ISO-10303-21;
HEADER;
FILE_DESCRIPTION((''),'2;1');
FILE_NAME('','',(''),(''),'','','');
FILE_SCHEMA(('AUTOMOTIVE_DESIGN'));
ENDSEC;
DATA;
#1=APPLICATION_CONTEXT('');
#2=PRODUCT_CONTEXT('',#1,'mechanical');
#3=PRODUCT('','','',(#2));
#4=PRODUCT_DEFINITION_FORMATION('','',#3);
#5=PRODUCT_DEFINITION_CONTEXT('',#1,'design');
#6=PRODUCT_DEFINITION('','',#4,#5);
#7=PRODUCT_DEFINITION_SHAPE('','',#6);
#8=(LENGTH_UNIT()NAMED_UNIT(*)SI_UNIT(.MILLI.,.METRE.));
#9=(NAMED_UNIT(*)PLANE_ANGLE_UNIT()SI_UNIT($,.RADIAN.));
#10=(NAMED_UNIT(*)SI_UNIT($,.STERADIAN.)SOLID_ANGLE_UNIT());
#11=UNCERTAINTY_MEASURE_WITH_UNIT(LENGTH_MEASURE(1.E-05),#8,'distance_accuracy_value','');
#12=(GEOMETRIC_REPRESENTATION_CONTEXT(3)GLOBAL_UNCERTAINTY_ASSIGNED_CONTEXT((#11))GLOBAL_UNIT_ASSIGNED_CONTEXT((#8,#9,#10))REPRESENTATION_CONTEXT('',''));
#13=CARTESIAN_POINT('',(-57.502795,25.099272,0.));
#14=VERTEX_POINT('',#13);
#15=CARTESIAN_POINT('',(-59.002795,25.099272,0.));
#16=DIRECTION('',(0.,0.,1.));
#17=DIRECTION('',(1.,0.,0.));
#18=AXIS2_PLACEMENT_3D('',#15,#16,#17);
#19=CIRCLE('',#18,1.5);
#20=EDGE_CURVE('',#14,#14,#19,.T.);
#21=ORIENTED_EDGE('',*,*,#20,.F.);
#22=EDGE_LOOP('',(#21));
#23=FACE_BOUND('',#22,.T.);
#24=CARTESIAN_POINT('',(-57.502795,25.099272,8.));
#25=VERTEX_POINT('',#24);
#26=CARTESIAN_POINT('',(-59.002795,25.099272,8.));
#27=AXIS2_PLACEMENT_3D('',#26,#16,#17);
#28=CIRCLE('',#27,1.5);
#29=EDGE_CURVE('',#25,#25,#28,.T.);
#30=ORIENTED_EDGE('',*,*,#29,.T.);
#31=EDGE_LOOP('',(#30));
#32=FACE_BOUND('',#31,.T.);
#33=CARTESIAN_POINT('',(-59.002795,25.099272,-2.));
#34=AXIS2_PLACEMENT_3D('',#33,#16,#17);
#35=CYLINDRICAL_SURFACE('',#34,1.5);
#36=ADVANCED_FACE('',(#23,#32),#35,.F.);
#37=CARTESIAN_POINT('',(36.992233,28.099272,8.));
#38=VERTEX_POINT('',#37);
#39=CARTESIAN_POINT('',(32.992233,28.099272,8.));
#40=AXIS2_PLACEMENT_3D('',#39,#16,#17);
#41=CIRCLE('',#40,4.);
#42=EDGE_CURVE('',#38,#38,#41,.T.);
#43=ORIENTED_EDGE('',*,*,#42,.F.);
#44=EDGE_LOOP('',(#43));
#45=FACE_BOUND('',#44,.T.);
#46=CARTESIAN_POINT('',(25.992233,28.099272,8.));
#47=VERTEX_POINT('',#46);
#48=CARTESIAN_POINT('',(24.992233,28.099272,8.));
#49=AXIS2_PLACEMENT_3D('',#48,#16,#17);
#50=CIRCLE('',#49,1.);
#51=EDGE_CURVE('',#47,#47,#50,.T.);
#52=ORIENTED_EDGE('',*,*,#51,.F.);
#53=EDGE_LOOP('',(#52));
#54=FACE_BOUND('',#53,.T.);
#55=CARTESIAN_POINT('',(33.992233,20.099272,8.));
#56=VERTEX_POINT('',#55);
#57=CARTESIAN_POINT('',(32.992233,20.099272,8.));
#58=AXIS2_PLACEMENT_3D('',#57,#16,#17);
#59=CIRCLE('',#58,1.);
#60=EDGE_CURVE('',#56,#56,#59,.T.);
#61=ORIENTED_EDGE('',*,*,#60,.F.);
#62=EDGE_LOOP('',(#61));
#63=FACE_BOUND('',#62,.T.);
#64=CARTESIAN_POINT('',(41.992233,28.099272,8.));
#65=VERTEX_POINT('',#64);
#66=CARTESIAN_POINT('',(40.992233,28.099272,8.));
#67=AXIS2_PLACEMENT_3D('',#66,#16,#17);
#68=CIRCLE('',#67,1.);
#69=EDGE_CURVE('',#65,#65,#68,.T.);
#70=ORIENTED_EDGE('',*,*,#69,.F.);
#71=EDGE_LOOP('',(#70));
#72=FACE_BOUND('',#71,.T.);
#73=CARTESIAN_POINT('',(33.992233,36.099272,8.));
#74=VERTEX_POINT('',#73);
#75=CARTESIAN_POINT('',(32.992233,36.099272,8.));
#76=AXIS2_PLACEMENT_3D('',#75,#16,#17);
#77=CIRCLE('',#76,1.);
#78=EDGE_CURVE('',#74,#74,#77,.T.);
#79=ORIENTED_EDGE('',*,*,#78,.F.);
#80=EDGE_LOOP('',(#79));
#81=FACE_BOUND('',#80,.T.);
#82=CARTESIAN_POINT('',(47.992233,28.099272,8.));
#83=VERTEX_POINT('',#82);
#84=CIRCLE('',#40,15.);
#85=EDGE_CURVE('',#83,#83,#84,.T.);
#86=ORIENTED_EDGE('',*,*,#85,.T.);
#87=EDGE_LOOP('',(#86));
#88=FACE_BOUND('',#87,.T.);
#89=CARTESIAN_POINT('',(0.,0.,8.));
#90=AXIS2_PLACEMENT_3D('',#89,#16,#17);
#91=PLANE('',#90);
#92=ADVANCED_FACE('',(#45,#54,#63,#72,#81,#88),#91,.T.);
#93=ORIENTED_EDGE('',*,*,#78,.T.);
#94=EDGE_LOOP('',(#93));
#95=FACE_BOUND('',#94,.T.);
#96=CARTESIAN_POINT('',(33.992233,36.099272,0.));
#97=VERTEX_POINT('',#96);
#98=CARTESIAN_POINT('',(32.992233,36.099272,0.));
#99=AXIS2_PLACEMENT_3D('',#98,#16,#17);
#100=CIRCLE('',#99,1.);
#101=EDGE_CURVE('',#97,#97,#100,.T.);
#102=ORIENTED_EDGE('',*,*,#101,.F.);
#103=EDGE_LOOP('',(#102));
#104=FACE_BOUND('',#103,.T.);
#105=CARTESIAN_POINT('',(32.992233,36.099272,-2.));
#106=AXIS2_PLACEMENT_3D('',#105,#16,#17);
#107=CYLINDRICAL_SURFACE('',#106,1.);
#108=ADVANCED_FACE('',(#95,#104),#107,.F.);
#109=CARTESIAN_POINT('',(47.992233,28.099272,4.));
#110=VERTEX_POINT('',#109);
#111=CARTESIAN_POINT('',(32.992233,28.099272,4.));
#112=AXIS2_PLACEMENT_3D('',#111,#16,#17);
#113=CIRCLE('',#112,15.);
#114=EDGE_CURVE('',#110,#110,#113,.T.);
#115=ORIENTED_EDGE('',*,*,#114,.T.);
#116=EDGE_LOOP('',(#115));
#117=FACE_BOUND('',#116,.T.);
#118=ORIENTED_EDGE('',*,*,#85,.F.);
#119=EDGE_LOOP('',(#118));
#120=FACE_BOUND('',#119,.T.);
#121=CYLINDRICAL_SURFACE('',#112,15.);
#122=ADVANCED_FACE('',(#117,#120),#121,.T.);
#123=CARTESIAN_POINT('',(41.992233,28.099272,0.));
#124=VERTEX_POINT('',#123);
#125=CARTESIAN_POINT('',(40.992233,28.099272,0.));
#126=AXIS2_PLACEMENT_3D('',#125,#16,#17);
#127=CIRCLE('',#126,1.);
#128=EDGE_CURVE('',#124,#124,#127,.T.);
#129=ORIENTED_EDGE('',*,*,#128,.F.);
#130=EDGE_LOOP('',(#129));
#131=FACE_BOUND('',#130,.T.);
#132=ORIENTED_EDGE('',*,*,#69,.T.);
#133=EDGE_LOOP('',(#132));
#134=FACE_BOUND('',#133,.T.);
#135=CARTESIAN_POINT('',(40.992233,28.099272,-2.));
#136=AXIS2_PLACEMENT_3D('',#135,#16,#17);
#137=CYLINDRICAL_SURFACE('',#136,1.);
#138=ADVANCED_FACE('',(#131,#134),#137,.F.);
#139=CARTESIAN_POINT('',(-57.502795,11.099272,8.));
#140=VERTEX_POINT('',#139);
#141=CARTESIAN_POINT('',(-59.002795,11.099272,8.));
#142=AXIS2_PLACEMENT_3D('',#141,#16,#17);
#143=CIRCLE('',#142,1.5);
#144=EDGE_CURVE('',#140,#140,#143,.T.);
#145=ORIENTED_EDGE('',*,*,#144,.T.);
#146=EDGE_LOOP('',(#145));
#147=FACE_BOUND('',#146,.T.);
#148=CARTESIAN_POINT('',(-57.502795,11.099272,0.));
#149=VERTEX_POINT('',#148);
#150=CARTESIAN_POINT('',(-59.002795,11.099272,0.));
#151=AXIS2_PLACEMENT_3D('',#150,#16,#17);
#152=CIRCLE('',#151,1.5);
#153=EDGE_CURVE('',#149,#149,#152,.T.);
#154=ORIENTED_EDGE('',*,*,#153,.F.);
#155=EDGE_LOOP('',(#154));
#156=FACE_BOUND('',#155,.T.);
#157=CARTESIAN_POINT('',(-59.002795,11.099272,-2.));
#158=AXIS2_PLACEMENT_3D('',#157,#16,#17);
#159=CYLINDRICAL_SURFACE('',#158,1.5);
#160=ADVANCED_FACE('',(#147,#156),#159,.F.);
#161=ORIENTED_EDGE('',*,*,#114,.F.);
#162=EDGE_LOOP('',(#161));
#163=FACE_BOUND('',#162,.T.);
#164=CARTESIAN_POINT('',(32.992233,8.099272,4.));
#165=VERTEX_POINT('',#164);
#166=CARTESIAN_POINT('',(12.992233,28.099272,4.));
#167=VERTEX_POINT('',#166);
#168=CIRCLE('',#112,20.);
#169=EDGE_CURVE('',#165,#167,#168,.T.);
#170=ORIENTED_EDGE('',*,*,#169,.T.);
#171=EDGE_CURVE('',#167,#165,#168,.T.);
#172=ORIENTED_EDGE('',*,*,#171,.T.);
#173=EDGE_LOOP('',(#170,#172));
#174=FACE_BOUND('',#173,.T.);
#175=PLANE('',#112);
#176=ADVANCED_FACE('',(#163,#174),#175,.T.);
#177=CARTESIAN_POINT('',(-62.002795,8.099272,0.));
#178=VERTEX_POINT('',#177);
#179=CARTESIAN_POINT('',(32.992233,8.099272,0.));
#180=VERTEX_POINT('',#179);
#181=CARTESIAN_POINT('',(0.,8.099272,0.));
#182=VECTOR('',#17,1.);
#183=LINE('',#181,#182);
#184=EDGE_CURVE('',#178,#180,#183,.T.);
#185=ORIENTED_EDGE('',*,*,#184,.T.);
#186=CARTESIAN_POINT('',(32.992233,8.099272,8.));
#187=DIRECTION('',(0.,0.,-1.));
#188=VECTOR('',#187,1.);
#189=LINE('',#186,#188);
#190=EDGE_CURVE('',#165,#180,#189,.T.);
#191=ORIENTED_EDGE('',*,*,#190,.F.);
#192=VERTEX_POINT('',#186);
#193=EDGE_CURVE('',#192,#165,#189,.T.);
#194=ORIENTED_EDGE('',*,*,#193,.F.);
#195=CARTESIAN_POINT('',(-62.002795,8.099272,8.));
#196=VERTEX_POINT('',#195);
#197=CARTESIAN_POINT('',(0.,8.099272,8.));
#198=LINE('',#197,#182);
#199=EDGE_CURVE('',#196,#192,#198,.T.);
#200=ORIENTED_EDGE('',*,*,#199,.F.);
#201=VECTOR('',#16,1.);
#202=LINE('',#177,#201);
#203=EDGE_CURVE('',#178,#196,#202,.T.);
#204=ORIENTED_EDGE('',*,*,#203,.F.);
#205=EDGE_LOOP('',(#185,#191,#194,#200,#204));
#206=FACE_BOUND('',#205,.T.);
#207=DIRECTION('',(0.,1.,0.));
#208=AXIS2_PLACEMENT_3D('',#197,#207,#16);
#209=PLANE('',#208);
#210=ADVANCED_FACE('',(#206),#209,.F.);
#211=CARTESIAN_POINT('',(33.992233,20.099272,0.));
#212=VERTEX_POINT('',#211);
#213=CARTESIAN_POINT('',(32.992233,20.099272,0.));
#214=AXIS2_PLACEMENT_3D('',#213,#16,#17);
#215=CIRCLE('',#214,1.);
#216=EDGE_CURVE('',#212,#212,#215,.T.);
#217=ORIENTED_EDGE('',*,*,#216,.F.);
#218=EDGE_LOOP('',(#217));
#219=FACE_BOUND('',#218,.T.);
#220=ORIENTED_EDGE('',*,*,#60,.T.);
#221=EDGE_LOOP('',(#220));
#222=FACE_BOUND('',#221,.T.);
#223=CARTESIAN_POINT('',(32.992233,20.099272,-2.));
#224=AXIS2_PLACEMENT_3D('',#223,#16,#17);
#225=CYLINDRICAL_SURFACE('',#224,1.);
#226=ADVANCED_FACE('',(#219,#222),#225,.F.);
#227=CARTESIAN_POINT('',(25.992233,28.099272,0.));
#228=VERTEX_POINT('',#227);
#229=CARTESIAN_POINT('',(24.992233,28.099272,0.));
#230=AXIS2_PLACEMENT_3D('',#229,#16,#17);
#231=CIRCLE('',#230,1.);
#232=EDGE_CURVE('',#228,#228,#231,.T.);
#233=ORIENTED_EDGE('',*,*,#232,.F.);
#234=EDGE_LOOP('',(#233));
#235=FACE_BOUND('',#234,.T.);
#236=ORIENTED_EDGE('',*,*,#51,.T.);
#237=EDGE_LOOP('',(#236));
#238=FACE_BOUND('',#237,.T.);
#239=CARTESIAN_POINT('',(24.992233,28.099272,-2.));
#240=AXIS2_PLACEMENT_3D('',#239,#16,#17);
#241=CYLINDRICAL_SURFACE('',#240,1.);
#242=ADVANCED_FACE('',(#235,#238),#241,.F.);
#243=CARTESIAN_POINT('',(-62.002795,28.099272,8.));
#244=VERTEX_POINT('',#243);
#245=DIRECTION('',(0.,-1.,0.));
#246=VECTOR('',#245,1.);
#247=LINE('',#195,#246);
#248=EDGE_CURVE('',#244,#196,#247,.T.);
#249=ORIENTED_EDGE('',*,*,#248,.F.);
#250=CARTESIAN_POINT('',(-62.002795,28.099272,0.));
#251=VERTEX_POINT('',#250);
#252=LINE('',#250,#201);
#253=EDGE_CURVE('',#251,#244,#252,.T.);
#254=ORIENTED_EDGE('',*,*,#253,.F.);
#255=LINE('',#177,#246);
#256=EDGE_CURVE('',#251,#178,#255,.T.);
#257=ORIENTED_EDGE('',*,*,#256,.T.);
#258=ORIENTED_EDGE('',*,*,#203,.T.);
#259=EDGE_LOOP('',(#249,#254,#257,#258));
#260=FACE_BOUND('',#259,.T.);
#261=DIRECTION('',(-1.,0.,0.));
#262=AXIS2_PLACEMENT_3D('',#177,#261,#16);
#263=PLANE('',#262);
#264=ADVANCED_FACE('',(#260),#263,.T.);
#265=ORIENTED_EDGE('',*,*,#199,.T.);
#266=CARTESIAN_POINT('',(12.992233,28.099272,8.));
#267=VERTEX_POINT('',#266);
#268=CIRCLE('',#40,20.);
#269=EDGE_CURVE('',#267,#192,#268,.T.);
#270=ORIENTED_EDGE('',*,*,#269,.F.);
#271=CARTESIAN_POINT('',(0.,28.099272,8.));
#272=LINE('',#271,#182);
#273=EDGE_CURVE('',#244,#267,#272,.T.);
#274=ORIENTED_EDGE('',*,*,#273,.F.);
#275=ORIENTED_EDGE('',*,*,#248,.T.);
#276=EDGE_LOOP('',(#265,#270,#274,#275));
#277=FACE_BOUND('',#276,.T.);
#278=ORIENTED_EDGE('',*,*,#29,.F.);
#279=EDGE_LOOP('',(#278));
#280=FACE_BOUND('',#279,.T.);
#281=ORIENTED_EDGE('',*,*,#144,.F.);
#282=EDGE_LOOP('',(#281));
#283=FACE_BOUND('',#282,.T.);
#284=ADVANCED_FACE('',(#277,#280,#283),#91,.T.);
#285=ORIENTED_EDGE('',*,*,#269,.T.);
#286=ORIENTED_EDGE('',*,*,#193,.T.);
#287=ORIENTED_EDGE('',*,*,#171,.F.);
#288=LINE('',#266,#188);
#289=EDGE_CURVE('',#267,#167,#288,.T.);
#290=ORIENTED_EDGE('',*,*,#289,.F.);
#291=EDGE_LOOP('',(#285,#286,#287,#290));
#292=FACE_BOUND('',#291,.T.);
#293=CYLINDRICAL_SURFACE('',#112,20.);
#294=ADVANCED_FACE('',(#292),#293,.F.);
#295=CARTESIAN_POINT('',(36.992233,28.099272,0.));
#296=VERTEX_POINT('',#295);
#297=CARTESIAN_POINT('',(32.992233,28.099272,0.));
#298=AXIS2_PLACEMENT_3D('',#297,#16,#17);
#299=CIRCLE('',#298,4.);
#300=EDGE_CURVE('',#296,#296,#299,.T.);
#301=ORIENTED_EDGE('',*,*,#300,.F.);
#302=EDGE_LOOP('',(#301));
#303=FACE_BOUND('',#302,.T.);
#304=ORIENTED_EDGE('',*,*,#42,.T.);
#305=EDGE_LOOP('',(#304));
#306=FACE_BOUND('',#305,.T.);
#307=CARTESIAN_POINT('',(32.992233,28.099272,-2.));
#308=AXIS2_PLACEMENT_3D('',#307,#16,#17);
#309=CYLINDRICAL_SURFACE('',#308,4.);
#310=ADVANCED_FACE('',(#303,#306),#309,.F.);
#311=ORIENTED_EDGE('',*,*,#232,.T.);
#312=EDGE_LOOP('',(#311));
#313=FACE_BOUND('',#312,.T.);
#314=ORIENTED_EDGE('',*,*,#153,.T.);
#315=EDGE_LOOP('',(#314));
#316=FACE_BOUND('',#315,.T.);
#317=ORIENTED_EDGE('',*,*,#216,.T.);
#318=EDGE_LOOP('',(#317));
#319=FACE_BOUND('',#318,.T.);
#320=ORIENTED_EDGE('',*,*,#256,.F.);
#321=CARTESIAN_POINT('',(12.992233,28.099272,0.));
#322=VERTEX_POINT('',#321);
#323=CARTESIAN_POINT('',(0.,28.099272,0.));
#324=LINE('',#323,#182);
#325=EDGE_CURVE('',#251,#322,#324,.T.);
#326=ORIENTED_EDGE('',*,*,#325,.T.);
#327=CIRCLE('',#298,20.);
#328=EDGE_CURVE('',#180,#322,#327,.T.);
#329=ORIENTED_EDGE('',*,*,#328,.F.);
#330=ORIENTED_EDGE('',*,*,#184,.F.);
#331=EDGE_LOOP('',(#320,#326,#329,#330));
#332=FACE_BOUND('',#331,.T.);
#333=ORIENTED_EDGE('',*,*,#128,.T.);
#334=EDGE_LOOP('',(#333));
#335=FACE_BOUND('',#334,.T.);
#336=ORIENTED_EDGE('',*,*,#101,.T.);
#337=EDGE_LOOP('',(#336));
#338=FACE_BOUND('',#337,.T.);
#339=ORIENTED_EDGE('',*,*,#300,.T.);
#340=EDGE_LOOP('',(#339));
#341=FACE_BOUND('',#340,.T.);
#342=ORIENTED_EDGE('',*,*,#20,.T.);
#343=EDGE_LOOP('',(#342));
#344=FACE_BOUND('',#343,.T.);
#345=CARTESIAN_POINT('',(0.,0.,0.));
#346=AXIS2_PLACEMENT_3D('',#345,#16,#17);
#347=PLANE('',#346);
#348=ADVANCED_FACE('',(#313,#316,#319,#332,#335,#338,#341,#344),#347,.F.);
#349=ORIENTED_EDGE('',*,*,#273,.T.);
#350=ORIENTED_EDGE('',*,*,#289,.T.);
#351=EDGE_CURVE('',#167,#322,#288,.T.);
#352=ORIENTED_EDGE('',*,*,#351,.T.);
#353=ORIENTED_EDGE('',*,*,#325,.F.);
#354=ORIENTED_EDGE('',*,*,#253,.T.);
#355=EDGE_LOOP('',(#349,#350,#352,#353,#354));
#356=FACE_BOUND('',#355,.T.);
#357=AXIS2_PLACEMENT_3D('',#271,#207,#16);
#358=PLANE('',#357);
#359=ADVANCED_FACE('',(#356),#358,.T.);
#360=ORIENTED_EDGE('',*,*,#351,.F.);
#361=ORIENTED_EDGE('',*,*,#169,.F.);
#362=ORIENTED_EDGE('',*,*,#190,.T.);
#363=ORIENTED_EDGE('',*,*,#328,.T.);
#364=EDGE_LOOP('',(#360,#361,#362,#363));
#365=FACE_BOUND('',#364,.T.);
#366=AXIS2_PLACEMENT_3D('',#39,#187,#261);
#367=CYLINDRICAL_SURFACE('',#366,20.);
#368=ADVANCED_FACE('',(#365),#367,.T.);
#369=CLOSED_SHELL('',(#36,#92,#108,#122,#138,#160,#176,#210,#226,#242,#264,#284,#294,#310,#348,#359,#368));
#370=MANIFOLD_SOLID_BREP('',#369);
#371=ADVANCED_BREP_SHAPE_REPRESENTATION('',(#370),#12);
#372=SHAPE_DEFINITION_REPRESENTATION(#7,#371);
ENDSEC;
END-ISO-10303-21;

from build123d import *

# Parameters (mm, degrees)
BOSS_EXTRU_1_DEPTH      = 8
ESQUISSE4_R             = 20
ESQUISSE4_R_2           = 15
ENL_V_MAT_EXTRU_2_DEPTH = 4
ESQUISSE5_W             = 16.42
ESQUISSE5_H             = 20
BOSS_EXTRU_2_DEPTH      = 8
ESQUISSE6_R             = 4
ESQUISSE6_R_2           = 1
ENL_V_MAT_EXTRU_3_DEPTH = 10
ESQUISSE7_R             = 1.5
ENL_V_MAT_EXTRU_4_DEPTH = 10


with BuildPart() as part:
    # Esquisse1 → Boss.-Extru.1 (new body)
    with BuildSketch(Plane.XY):
        with BuildLine():
            ThreePointArc((52.992232765, 28.099272116), (32.992232765, 48.099272116), (12.992232765, 28.099272116))
            Line((12.992232765, 28.099272116), (32.992232765, 28.099272116))
            Line((32.992232765, 28.099272116), (32.992232765, 8.099272116))
            ThreePointArc((32.992232765, 8.099272116), (47.134368389, 13.957136493), (52.992232765, 28.099272116))
        make_face()
        with BuildLine():
            Line((32.992232765, 28.099272116), (12.992232765, 28.099272116))
            ThreePointArc((12.992232765, 28.099272116), (18.850097141, 13.957136493), (32.992232765, 8.099272116))
            Line((32.992232765, 8.099272116), (32.992232765, 28.099272116))
        make_face()
        with BuildLine():
            Line((12.992232765, 28.099272116), (-45.58279523, 28.099272116))
            Line((-45.58279523, 28.099272116), (-45.58279523, 8.099272116))
            Line((-45.58279523, 8.099272116), (32.992232765, 8.099272116))
            ThreePointArc((32.992232765, 8.099272116), (18.850097141, 13.957136493), (12.992232765, 28.099272116))
        make_face()
    extrude(amount=BOSS_EXTRU_1_DEPTH)

    # Esquisse4 → Enlèv. mat.-Extru.2 (cut)
    with BuildSketch(Plane.XY.offset(8)):
        with Locations((32.992232765, 28.099272116)):
            Circle(ESQUISSE4_R)
        with Locations((32.992232765, 28.099272116)):
            Circle(ESQUISSE4_R_2, mode=Mode.SUBTRACT)
    extrude(amount=-ENL_V_MAT_EXTRU_2_DEPTH, mode=Mode.SUBTRACT)

    # Esquisse5 → Boss.-Extru.2 (add)
    with BuildSketch(Plane.XY.offset(8)):
        with Locations((-53.79279523, 18.099272116)):
            Rectangle(ESQUISSE5_W, ESQUISSE5_H)
    extrude(amount=-BOSS_EXTRU_2_DEPTH)

    # Esquisse6 → Enlèv. mat.-Extru.3 (cut)
    with BuildSketch(Plane.XY.offset(8)):
        with Locations((32.992232765, 28.099272116)):
            Circle(ESQUISSE6_R)
        with Locations((32.992232765, 36.099272116)):
            Circle(ESQUISSE6_R_2)
        with Locations((40.992232765, 28.099272116)):
            Circle(ESQUISSE6_R_2)
        with Locations((32.992232765, 20.099272116)):
            Circle(ESQUISSE6_R_2)
        with Locations((24.992232765, 28.099272116)):
            Circle(ESQUISSE6_R_2)
    extrude(amount=-ENL_V_MAT_EXTRU_3_DEPTH, mode=Mode.SUBTRACT)

    # Esquisse7 → Enlèv. mat.-Extru.4 (cut)
    with BuildSketch(Plane.XY.offset(8)):
        with Locations((-59.00279523, 25.099272116)):
            Circle(ESQUISSE7_R)
        with Locations((-59.00279523, 11.099272116)):
            Circle(ESQUISSE7_R)
    extrude(amount=-ENL_V_MAT_EXTRU_4_DEPTH, mode=Mode.SUBTRACT)


solid = part.part
